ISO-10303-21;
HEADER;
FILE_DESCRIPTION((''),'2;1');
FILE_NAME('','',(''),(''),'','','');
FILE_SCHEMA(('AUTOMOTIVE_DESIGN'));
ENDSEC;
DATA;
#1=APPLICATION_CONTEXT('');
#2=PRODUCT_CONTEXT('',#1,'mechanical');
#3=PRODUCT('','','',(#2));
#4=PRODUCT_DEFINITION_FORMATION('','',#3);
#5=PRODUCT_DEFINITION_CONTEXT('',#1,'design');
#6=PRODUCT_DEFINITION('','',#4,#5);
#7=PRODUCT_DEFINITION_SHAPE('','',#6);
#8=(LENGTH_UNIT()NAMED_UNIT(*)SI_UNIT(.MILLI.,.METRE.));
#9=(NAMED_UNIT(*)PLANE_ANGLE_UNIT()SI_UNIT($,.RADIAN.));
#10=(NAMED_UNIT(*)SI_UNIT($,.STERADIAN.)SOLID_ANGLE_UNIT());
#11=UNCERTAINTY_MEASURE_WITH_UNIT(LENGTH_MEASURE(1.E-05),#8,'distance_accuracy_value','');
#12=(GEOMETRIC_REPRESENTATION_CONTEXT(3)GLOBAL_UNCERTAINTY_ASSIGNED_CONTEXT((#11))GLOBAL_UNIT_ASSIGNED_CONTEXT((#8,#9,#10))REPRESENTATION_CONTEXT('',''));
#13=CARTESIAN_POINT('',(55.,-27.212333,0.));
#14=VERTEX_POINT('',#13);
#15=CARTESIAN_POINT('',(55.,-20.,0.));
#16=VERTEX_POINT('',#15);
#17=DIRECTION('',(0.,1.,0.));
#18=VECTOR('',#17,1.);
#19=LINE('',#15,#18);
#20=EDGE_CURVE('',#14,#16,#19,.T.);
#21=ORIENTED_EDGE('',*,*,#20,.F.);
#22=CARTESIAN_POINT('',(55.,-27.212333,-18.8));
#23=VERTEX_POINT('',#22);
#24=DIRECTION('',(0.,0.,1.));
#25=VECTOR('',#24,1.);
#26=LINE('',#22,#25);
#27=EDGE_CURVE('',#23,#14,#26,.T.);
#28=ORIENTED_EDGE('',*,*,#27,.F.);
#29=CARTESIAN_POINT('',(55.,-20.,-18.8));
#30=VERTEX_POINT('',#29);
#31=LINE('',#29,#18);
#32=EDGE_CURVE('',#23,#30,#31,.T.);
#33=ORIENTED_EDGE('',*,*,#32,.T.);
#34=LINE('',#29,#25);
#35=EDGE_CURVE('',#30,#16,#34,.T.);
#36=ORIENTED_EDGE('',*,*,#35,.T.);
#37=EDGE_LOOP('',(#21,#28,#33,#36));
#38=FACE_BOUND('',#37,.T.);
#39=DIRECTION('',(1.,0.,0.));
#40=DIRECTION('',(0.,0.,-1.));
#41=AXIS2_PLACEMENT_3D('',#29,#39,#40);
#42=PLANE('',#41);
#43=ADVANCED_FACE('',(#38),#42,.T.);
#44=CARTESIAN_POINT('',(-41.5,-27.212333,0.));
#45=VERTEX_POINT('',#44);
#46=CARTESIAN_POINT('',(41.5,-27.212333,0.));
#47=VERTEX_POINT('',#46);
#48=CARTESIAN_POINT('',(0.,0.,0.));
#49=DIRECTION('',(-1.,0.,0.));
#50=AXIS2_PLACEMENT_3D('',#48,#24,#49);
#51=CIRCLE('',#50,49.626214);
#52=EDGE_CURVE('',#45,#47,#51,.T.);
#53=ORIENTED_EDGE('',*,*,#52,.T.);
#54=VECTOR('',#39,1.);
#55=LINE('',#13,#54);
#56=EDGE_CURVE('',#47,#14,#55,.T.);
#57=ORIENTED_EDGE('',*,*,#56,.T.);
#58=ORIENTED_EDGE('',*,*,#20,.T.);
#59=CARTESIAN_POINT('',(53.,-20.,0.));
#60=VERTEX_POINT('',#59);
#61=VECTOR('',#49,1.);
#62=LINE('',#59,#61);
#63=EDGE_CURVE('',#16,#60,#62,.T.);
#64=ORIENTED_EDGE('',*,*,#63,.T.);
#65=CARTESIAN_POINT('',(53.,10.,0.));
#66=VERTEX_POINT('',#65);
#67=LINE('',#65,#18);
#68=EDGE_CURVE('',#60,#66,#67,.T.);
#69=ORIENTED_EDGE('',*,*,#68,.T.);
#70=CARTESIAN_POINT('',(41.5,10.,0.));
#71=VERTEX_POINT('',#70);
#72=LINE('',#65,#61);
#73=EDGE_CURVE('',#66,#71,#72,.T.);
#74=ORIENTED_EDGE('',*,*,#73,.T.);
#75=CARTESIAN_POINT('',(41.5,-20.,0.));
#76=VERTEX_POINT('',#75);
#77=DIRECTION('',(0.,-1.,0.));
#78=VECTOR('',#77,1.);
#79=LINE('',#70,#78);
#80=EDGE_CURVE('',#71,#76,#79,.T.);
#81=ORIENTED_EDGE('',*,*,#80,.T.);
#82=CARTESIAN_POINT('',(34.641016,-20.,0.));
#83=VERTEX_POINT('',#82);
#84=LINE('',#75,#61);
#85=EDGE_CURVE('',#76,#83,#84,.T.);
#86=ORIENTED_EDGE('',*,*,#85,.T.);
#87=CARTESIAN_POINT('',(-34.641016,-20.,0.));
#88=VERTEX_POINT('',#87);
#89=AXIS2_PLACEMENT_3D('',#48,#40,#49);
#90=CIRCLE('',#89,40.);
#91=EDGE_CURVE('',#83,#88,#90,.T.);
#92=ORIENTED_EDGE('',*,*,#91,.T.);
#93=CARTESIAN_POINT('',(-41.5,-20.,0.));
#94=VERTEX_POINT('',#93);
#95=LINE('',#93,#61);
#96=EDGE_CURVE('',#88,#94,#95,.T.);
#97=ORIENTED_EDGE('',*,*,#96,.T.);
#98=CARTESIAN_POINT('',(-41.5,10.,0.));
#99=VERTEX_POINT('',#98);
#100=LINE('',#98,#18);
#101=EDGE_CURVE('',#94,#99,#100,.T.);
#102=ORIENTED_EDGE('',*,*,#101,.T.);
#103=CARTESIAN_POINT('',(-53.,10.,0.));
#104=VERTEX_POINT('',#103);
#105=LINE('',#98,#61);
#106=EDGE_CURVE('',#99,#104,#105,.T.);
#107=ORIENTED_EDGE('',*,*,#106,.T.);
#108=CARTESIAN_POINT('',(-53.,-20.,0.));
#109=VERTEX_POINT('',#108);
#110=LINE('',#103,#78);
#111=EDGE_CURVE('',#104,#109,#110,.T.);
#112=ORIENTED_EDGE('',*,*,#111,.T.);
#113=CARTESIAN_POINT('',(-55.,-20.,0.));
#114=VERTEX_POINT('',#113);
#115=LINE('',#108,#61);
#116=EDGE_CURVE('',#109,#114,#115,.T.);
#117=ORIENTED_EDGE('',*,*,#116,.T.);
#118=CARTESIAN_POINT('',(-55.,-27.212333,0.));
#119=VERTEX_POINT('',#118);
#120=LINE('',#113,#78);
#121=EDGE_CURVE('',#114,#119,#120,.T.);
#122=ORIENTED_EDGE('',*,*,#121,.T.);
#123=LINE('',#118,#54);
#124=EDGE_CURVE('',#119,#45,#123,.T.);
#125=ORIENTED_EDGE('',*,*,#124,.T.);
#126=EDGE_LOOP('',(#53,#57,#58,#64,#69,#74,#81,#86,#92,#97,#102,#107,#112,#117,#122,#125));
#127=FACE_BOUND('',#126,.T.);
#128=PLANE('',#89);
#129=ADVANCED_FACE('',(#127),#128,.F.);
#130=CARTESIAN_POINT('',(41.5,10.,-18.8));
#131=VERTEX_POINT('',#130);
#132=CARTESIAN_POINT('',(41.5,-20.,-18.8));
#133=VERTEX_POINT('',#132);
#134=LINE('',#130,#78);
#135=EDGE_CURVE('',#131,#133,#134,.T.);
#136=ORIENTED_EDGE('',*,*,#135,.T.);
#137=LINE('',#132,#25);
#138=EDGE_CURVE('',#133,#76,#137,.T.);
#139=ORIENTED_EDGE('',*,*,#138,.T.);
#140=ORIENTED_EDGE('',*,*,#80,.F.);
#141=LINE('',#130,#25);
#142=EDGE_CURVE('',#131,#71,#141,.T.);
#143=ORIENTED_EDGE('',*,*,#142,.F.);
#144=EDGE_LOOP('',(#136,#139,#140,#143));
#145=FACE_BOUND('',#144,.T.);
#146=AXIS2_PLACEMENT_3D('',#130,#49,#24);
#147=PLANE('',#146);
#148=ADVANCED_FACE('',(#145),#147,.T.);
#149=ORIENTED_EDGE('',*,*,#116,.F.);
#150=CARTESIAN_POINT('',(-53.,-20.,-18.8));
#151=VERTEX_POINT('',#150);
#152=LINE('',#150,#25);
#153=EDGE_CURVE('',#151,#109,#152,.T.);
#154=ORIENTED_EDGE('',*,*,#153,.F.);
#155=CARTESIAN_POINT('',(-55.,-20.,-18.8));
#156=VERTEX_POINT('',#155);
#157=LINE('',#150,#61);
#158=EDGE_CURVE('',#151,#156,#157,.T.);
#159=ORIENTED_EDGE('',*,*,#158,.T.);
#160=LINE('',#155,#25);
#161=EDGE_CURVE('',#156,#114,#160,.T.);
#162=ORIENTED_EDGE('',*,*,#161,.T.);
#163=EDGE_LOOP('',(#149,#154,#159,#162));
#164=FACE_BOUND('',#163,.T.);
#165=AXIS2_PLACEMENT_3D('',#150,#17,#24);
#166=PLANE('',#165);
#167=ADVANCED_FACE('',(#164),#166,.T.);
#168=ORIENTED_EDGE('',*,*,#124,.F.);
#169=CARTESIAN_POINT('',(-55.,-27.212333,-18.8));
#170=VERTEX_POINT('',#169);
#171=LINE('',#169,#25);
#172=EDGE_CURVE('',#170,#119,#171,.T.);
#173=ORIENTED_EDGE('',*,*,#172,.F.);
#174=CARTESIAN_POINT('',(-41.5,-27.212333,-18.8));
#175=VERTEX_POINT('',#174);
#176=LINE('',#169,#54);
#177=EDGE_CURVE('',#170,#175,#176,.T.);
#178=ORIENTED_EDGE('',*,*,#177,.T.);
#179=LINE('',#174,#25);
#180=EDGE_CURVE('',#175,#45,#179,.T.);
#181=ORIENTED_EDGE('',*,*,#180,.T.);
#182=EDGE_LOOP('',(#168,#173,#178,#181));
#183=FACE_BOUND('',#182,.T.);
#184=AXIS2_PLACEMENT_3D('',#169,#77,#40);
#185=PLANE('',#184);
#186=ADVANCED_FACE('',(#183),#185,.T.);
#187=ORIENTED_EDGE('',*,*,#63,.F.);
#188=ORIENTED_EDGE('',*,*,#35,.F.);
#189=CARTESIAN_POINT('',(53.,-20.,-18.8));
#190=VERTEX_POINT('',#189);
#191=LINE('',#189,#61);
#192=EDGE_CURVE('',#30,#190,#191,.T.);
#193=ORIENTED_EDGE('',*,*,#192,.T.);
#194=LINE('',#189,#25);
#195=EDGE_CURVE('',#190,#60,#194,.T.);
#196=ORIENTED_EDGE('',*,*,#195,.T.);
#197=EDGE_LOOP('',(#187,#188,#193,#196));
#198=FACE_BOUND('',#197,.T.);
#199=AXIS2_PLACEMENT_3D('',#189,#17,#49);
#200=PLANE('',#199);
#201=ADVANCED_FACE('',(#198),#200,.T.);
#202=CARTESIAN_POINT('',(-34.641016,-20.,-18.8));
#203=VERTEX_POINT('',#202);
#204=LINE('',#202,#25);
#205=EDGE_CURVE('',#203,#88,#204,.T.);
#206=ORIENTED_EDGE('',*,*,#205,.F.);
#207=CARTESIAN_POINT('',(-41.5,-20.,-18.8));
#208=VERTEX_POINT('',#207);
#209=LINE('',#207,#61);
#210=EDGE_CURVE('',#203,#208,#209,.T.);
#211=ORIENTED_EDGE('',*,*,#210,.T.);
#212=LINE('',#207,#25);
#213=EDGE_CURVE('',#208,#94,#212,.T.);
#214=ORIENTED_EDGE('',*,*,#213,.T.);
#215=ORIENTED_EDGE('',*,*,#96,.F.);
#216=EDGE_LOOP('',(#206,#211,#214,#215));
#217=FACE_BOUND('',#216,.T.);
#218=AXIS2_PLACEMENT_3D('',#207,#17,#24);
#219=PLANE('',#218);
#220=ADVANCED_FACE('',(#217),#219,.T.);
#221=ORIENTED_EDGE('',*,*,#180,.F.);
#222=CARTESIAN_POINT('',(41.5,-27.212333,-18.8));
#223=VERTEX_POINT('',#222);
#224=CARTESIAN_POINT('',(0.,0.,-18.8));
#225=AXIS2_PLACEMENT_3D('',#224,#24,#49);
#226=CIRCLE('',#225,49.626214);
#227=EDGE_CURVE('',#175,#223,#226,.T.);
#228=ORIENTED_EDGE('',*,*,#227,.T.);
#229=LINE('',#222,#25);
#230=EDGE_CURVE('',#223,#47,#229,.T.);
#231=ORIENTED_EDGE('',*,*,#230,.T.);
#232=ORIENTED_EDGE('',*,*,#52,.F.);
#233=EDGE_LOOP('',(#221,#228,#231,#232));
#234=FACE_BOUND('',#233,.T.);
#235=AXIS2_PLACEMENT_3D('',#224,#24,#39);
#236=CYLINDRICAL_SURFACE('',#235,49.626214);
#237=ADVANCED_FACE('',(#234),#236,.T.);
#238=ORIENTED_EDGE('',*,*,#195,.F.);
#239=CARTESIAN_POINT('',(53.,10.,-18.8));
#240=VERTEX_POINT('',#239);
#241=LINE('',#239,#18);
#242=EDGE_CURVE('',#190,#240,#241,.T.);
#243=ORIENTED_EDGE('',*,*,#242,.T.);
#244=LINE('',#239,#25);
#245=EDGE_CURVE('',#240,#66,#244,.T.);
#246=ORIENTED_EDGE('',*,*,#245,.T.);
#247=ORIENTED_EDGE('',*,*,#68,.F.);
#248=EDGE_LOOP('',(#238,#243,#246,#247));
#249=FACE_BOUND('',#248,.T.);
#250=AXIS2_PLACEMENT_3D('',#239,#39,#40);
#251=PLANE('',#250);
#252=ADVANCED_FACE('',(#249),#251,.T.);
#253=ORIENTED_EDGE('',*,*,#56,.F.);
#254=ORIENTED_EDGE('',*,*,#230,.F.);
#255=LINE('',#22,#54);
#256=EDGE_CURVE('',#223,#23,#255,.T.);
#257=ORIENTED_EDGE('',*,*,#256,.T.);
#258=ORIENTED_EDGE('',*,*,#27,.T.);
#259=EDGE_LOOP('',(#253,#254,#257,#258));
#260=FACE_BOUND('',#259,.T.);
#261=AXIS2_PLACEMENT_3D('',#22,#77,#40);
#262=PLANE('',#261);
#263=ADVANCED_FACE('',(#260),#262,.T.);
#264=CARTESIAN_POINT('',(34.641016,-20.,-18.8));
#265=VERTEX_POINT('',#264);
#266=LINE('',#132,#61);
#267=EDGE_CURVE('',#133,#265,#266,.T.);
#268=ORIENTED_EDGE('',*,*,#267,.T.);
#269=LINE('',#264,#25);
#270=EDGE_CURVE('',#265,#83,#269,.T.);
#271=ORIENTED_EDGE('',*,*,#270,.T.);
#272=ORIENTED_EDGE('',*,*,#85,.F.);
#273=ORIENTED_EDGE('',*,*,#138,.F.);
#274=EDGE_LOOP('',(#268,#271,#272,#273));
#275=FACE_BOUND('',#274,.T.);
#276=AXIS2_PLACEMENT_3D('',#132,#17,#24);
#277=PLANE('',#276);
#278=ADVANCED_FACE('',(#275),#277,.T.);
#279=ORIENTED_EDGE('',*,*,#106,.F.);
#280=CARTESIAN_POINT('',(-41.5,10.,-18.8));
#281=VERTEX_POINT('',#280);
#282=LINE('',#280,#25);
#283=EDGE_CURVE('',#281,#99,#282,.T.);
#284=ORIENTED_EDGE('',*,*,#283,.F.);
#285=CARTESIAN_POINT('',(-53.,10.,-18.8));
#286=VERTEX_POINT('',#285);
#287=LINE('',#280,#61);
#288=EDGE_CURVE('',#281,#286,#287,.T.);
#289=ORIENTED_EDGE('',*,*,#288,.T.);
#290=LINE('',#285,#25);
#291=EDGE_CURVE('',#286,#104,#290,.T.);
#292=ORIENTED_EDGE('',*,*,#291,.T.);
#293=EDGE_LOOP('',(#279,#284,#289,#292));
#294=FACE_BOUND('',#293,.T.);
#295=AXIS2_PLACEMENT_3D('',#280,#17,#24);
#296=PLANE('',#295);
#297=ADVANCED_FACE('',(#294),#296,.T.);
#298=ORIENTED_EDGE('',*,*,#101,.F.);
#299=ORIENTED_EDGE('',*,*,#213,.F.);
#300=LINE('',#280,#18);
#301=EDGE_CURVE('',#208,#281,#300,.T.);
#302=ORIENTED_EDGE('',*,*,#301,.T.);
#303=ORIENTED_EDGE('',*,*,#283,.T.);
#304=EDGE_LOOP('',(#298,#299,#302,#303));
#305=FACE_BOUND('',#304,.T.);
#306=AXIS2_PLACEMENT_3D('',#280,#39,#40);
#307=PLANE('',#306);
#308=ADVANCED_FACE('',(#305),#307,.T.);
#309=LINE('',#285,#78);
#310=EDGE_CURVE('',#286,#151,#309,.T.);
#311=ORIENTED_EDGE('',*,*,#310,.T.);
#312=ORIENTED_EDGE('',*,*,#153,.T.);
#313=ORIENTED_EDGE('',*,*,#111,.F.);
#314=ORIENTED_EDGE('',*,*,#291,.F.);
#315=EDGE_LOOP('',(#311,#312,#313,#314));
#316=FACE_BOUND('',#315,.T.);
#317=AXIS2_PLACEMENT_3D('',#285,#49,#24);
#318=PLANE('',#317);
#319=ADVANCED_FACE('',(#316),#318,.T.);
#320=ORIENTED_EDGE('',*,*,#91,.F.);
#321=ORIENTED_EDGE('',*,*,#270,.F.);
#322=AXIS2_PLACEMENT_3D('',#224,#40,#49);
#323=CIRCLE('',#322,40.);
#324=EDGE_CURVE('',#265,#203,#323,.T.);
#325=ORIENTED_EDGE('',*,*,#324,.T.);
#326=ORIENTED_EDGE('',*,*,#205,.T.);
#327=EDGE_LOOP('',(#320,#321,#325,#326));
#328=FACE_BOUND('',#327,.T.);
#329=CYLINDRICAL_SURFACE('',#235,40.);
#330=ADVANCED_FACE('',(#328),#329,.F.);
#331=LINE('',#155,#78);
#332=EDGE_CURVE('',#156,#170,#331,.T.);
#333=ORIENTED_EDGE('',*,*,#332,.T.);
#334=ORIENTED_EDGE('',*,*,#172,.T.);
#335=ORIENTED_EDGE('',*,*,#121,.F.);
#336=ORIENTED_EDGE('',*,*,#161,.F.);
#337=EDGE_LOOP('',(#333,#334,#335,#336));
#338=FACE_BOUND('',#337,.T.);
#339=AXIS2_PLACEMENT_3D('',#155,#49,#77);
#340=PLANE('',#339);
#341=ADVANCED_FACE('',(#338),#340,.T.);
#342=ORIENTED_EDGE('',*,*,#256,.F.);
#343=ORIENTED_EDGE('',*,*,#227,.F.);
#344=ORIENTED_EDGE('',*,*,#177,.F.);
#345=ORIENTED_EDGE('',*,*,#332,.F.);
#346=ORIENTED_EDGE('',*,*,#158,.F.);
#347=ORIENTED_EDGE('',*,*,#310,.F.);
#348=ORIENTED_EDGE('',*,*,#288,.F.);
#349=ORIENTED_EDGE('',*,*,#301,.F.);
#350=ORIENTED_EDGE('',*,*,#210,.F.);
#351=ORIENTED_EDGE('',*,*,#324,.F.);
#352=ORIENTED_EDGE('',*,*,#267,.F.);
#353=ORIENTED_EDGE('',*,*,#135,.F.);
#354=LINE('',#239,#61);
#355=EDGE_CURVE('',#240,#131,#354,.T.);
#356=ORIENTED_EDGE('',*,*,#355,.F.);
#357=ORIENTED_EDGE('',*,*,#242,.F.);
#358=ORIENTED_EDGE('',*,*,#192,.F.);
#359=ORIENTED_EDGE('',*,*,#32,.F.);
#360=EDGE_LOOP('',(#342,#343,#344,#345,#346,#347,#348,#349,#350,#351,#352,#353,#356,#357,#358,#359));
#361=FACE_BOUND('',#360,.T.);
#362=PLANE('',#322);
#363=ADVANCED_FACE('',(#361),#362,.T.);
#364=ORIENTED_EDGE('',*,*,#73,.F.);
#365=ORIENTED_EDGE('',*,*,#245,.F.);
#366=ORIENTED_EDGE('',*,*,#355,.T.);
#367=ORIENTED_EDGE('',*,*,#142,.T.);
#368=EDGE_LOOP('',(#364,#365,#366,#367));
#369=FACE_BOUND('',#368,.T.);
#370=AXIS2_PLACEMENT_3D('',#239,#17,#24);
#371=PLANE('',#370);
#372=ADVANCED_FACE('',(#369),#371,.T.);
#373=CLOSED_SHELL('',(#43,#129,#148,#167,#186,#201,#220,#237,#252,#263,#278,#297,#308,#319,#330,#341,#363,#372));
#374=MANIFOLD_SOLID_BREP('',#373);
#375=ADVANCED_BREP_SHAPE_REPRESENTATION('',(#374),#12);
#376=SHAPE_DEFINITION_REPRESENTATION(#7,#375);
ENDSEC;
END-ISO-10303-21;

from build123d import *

# Parameters (mm, degrees)
BOSS_EXTRUDE1_DEPTH = 18.8


with BuildPart() as part:
    # Sketch1 → Boss-Extrude1 (new body)
    with BuildSketch(Plane.XY):
        with BuildLine():
            Line((41.5, -20), (34.641016151, -20))
            ThreePointArc((34.641016151, -20), (0, -40), (-34.641016151, -20))
            Line((-34.641016151, -20), (-41.5, -20))
            Line((-41.5, -20), (-41.5, 10))
            Line((-41.5, 10), (-53, 10))
            Line((-53, 10), (-53, -20))
            Line((-53, -20), (-55, -20))
            Line((-55, -20), (-55, -27.212333234))
            Line((-55, -27.212333234), (-41.5, -27.212333234))
            ThreePointArc((-41.5, -27.212333234), (0, -49.626213638), (41.5, -27.212333234))
            Line((41.5, -27.212333234), (55, -27.212333234))
            Line((55, -27.212333234), (55, -20))
            Line((55, -20), (53, -20))
            Line((53, -20), (53, 10))
            Line((53, 10), (41.5, 10))
            Line((41.5, 10), (41.5, -20))
        make_face()
    extrude(amount=-BOSS_EXTRUDE1_DEPTH)


solid = part.part
